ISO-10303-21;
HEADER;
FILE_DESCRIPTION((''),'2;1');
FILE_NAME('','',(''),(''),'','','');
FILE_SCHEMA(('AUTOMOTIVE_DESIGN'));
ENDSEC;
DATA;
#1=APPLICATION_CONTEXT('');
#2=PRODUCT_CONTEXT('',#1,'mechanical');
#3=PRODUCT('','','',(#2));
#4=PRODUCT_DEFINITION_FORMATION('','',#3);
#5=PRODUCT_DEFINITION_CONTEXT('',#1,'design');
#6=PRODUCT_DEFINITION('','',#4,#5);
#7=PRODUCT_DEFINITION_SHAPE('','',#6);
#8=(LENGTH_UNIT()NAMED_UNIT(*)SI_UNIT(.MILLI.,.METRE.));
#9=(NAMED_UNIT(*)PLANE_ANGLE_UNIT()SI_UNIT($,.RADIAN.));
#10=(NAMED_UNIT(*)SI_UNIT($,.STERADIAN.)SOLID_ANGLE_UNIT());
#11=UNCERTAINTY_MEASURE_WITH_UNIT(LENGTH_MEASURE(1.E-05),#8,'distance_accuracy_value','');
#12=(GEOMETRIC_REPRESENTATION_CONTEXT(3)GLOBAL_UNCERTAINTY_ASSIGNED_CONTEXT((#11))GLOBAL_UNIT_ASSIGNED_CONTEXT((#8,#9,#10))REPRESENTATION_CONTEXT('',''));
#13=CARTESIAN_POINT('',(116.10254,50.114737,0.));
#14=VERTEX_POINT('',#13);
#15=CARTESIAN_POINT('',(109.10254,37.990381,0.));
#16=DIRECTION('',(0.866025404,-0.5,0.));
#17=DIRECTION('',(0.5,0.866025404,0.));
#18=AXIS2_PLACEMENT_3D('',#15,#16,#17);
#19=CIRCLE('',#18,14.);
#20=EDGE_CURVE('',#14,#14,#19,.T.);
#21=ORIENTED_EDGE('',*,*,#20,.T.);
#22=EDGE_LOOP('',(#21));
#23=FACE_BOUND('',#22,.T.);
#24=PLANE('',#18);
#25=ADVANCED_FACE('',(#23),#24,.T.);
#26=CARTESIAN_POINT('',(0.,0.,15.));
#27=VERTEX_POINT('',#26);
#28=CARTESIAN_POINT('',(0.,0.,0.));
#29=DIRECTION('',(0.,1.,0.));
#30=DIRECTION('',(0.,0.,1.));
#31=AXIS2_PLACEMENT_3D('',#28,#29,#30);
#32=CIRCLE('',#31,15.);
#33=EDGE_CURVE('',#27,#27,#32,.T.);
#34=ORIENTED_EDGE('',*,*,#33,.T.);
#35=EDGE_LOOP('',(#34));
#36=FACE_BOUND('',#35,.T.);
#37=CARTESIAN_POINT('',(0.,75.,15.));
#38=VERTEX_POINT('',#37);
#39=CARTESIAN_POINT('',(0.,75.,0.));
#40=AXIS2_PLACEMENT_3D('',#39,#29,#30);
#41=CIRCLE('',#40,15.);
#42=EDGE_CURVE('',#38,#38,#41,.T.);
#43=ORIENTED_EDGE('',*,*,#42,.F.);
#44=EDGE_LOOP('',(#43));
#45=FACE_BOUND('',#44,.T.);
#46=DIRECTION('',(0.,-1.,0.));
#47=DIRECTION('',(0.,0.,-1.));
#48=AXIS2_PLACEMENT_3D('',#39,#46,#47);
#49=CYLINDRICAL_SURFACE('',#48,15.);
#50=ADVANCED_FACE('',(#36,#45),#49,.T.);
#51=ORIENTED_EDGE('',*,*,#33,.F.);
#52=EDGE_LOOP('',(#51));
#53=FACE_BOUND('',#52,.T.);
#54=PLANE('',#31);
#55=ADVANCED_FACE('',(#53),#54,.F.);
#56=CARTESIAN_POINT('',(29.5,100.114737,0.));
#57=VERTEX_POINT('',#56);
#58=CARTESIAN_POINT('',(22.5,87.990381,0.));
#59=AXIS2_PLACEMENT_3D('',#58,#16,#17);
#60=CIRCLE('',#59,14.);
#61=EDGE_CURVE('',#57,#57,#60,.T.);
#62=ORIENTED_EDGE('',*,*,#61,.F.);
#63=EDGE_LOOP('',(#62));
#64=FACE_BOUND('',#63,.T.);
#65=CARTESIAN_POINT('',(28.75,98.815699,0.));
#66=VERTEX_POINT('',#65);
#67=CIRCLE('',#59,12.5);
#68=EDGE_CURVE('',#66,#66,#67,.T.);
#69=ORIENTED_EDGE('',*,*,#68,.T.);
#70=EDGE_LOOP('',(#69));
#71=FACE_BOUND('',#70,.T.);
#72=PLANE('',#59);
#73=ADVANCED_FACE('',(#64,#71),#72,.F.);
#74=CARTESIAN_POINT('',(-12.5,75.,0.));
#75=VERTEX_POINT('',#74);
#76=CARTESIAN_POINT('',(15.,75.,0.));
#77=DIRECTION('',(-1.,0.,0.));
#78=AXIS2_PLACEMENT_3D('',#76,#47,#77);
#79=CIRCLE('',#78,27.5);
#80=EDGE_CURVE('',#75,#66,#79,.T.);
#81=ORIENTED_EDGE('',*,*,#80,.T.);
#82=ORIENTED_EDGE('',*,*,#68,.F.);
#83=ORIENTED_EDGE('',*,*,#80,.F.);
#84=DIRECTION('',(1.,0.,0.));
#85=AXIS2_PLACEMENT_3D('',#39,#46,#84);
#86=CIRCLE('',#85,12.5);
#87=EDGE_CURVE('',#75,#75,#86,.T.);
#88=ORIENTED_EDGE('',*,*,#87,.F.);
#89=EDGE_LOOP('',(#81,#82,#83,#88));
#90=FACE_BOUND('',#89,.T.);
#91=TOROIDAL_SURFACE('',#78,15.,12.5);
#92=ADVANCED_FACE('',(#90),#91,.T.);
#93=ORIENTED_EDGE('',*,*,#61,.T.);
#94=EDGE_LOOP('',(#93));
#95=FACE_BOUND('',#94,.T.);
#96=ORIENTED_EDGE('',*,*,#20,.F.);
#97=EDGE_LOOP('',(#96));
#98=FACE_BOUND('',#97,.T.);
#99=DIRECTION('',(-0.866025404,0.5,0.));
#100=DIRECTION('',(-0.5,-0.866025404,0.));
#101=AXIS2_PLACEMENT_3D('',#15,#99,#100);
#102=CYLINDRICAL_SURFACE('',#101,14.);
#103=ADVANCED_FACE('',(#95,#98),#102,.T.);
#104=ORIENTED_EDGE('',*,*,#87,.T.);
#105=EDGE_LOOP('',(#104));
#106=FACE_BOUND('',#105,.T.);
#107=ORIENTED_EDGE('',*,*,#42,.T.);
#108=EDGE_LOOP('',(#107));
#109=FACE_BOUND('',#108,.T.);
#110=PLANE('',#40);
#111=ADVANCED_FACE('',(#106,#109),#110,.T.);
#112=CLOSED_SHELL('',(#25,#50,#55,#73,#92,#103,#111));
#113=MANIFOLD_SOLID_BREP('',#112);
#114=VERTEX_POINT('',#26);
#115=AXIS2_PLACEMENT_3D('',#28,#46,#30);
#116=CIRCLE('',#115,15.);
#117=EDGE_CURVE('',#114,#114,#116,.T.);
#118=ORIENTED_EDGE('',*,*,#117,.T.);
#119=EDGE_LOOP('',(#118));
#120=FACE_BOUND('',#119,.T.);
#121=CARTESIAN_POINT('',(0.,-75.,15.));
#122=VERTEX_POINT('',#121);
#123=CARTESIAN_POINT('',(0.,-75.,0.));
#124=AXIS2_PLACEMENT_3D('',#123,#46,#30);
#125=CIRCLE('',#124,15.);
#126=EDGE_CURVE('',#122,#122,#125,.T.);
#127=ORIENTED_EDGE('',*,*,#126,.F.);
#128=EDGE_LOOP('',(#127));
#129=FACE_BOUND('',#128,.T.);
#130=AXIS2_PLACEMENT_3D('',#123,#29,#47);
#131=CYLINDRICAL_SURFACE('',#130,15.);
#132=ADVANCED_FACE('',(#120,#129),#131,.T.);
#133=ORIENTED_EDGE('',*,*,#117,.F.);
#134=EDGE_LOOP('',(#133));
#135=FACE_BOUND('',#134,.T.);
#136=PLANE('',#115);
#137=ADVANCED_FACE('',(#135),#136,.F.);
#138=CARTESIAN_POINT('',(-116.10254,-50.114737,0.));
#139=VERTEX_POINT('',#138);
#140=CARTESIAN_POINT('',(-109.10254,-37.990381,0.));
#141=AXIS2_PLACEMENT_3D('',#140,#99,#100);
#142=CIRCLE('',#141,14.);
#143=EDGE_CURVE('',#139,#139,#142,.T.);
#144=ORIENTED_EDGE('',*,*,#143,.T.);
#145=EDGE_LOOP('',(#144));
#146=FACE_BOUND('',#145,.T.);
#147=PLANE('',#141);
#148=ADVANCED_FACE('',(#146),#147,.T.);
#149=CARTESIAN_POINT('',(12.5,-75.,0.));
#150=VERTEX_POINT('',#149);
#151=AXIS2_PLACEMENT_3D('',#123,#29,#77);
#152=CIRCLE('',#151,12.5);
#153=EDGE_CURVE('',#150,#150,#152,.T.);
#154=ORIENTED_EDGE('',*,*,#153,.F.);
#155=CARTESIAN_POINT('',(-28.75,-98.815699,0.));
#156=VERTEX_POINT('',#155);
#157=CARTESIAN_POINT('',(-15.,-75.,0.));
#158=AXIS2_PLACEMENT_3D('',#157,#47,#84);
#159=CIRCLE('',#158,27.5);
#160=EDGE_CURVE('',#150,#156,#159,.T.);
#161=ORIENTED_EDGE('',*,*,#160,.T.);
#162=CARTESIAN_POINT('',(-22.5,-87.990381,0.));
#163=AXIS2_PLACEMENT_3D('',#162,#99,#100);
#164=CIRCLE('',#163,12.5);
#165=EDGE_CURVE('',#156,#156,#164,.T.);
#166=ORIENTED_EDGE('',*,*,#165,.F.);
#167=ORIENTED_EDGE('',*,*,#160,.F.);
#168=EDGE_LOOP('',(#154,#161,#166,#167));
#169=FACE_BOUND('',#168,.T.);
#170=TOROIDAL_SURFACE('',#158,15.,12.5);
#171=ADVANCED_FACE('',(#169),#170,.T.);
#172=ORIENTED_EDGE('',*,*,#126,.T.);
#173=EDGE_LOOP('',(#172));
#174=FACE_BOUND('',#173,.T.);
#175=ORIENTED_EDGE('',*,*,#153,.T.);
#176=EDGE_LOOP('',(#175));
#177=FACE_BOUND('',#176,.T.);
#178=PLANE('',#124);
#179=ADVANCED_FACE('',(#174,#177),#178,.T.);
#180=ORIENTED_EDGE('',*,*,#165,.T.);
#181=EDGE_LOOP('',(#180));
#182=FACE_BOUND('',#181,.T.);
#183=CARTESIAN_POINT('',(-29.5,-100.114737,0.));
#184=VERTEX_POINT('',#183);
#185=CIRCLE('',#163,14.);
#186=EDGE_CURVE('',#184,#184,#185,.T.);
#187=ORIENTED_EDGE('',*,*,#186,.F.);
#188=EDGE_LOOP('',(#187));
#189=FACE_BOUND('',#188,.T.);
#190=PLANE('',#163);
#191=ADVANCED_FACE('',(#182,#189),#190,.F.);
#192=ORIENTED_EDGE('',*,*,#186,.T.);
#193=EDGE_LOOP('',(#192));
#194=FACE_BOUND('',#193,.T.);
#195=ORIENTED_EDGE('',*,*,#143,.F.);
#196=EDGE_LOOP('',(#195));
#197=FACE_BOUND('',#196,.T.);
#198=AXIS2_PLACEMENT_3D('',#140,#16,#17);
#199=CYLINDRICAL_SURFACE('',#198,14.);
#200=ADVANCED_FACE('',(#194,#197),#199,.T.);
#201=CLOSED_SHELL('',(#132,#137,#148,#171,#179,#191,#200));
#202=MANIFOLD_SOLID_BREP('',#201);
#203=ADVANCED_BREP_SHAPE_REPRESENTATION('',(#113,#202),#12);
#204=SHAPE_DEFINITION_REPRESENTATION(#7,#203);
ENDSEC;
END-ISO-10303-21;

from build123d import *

# Parameters (mm, degrees)
SKETCH_1_R      = 15
EXTRUDE_1_DEPTH = 75
SKETCH_10_R     = 12.5
SKETCH_13_R     = 14
EXTRUDE_7_DEPTH = 100


with BuildPart() as part:
    # 草图1 → 凸台-拉伸1 (new body)
    with BuildSketch(Plane(origin=(0, 0, 0), x_dir=(1, 0, 0), z_dir=(0, 1, 0))):
        with Locations(Location((0, 0, 0), (0, 0, 270))):
            Circle(SKETCH_1_R)
    extrude(amount=EXTRUDE_1_DEPTH)

    # 扫描1: sweep along a path in 草图9
    with BuildLine(Plane.XY) as sweep_1_path:
        ThreePointArc((0, 75), (7.5, 87.990381057), (22.5, 87.990381057))
    # 草图10 → 扫描1 (sweep)
    with BuildSketch(Plane(origin=(-21.225952642, 12.254809472, 0), x_dir=(0, 0, 1), z_dir=(-0.8660254037844399, 0.4999999999999978, 0))):
        with Locations((0, 87.451905284)):
            Circle(SKETCH_10_R)
    sweep(path=sweep_1_path.line)

    # 草图13 → 凸台-拉伸7 (add)
    with BuildSketch(Plane(origin=(-21.225952642, 12.254809472, 0), x_dir=(0, 0, -1), z_dir=(0.86602540378444, -0.49999999999999784, 0))):
        with Locations(Location((0, 87.451905284, 0), (0, 0, 90))):
            Circle(SKETCH_13_R)
    extrude(amount=EXTRUDE_7_DEPTH)


with BuildPart() as body_2:
    # 镜向14: mirrored copy
    add(part.part.mirror(Plane.ZX))


with BuildPart() as body_3:
    # 镜向15: mirrored copy
    add(body_2.part.mirror(Plane(origin=(0, 0, 0), x_dir=(0, 0, 1), z_dir=(1, 0, 0))))


solid = Compound([part.part, body_3.part])
